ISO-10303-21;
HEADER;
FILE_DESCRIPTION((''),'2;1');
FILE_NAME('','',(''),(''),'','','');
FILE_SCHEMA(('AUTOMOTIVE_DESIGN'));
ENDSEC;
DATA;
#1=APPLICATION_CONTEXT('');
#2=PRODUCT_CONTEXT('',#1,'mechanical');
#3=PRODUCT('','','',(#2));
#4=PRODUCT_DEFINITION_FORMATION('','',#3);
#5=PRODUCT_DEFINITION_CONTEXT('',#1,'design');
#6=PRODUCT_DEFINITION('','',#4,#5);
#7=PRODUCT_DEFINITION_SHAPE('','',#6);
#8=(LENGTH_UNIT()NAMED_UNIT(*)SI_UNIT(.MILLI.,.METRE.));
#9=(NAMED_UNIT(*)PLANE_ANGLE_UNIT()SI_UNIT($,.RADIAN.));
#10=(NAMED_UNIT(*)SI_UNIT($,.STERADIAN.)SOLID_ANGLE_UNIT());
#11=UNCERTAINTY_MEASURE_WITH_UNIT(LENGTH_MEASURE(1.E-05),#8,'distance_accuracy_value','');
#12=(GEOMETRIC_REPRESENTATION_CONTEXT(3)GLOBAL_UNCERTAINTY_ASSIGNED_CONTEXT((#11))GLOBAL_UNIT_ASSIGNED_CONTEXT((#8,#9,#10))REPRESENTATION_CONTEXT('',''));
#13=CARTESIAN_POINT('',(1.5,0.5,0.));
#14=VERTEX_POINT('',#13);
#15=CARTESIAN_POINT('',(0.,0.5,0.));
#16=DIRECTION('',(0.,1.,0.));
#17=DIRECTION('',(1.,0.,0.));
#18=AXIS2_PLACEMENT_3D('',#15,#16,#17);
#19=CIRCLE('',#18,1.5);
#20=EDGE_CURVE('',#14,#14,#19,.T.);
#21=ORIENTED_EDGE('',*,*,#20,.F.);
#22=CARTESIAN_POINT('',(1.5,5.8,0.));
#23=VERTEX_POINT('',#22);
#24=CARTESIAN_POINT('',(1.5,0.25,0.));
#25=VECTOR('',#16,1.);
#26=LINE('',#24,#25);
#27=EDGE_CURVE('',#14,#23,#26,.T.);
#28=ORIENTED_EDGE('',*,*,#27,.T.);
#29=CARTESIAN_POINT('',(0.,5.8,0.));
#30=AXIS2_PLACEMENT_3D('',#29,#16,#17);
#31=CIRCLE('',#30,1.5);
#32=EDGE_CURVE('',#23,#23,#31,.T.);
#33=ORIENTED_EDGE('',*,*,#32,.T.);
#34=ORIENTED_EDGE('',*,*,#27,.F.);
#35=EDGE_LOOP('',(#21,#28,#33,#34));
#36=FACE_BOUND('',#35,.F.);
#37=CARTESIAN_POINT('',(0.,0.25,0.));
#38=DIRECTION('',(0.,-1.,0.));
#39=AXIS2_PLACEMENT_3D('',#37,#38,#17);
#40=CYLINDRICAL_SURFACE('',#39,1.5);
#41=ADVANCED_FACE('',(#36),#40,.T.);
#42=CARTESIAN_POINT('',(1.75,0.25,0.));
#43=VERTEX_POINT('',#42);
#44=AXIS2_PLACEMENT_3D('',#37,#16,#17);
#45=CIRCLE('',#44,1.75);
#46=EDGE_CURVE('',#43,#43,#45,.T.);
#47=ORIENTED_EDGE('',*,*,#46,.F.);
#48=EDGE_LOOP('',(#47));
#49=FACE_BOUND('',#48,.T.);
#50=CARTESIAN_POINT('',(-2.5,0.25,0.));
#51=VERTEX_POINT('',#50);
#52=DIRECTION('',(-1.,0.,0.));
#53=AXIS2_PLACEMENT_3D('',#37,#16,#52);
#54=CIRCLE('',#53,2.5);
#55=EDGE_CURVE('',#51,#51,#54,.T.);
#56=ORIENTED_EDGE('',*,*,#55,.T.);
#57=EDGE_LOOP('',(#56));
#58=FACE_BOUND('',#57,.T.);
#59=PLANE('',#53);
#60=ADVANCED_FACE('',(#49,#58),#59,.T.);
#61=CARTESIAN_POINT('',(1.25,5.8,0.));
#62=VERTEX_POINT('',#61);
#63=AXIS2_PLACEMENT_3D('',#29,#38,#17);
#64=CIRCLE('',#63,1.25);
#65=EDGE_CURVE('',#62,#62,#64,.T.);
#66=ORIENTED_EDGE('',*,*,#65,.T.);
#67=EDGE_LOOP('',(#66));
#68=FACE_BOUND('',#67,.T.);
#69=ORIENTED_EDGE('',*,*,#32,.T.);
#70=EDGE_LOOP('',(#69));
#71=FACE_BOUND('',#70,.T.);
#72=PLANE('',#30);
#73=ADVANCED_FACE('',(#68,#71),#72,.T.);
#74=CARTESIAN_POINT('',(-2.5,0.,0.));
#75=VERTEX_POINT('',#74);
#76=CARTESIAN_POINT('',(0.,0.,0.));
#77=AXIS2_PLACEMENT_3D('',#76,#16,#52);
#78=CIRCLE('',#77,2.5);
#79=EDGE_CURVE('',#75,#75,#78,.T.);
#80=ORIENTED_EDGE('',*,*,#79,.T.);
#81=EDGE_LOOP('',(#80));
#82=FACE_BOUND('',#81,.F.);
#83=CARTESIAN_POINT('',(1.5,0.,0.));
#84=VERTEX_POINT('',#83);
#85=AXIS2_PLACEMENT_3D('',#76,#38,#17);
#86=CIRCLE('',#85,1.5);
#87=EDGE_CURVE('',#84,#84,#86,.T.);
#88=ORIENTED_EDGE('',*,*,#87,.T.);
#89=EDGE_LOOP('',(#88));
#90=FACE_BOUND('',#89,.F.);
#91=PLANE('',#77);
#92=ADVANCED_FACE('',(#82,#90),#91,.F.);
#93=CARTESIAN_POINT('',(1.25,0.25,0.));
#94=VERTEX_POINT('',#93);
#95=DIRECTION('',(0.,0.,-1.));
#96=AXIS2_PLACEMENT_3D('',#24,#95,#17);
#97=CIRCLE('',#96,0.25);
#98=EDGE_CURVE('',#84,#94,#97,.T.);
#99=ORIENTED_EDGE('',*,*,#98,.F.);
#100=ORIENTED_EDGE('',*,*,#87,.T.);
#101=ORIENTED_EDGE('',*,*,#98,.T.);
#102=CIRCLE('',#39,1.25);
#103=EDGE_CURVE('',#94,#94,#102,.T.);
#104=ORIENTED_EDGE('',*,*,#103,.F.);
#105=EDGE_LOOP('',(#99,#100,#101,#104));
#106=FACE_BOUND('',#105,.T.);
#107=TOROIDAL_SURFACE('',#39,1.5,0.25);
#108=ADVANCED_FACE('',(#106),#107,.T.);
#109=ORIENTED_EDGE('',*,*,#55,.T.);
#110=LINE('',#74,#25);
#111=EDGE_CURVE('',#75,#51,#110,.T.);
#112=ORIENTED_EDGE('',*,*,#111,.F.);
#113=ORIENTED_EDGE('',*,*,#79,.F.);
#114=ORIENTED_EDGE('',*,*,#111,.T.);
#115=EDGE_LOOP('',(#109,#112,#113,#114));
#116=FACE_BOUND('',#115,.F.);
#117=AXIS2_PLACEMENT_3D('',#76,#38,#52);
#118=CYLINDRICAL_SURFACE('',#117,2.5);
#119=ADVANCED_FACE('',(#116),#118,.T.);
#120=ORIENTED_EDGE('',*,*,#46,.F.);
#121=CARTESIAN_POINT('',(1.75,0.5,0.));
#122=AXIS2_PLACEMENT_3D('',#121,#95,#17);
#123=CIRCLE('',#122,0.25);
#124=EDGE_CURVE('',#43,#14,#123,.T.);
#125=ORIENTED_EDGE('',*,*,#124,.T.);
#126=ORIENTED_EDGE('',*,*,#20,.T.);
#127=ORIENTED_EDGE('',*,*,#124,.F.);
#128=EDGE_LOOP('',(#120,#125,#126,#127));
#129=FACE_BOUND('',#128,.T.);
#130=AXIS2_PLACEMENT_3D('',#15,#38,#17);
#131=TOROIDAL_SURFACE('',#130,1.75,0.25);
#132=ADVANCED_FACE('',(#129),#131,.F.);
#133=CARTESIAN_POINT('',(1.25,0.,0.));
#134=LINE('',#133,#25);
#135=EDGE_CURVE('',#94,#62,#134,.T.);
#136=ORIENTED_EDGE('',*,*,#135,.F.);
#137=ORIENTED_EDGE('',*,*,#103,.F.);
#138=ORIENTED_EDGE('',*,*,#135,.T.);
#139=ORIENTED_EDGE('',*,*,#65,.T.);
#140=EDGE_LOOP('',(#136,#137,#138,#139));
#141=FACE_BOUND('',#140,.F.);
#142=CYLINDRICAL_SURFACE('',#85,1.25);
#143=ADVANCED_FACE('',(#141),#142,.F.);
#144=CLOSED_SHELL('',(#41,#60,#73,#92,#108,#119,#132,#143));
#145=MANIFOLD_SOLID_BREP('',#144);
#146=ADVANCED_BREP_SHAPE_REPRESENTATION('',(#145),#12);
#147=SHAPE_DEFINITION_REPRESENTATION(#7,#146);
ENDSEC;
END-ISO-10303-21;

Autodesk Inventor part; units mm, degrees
ref_plane "YZ Plane" through (0, 0, 0) normal (1, 0, 0) x (0, 1, 0)
ref_plane "XZ Plane" through (0, 0, 0) normal (0, 1, 0) x (-1, 0, 0)
ref_plane "XY Plane" through (0, 0, 0) normal (0, 0, 1) x (1, 0, 0)
sketch "Sketch1" plane through (0, 0, 0) normal (0, 1, 0) x (-1, 0, 0)
  circle A0 centre (0, 0) radius 2.5
  dimension "d0" = 5
extrude "Extrusion1" add sketch "Sketch1" along normal blind 0.25
sketch "Sketch2" plane through (0, 0.25, 0) normal (0, 1, 0) x (1, 0, 0)
  circle A0 centre (0, 0) radius 1.5
  dimension "d3" = 3
extrude "Extrusion2" add sketch "Sketch2" along normal blind 5.55
sketch "Sketch3" plane through (0, 0, 0) normal (0, -1, 0) x (1, 0, 0)
  circle A0 centre (0, 0) radius 1.25
  dimension "d6" = 2.5
extrude "Extrusion3" cut sketch "Sketch3" against normal blind 5.8
fillet "Fillet1" radius 0.25 1 edges at (-1.5, 0.25, 0)
fillet "Fillet2" radius 0.25 1 edges at (-1.25, 0, 0)
properties part number "MMAE 232 Assignment 2_Brass Sleeve - Dylan Tamras"
